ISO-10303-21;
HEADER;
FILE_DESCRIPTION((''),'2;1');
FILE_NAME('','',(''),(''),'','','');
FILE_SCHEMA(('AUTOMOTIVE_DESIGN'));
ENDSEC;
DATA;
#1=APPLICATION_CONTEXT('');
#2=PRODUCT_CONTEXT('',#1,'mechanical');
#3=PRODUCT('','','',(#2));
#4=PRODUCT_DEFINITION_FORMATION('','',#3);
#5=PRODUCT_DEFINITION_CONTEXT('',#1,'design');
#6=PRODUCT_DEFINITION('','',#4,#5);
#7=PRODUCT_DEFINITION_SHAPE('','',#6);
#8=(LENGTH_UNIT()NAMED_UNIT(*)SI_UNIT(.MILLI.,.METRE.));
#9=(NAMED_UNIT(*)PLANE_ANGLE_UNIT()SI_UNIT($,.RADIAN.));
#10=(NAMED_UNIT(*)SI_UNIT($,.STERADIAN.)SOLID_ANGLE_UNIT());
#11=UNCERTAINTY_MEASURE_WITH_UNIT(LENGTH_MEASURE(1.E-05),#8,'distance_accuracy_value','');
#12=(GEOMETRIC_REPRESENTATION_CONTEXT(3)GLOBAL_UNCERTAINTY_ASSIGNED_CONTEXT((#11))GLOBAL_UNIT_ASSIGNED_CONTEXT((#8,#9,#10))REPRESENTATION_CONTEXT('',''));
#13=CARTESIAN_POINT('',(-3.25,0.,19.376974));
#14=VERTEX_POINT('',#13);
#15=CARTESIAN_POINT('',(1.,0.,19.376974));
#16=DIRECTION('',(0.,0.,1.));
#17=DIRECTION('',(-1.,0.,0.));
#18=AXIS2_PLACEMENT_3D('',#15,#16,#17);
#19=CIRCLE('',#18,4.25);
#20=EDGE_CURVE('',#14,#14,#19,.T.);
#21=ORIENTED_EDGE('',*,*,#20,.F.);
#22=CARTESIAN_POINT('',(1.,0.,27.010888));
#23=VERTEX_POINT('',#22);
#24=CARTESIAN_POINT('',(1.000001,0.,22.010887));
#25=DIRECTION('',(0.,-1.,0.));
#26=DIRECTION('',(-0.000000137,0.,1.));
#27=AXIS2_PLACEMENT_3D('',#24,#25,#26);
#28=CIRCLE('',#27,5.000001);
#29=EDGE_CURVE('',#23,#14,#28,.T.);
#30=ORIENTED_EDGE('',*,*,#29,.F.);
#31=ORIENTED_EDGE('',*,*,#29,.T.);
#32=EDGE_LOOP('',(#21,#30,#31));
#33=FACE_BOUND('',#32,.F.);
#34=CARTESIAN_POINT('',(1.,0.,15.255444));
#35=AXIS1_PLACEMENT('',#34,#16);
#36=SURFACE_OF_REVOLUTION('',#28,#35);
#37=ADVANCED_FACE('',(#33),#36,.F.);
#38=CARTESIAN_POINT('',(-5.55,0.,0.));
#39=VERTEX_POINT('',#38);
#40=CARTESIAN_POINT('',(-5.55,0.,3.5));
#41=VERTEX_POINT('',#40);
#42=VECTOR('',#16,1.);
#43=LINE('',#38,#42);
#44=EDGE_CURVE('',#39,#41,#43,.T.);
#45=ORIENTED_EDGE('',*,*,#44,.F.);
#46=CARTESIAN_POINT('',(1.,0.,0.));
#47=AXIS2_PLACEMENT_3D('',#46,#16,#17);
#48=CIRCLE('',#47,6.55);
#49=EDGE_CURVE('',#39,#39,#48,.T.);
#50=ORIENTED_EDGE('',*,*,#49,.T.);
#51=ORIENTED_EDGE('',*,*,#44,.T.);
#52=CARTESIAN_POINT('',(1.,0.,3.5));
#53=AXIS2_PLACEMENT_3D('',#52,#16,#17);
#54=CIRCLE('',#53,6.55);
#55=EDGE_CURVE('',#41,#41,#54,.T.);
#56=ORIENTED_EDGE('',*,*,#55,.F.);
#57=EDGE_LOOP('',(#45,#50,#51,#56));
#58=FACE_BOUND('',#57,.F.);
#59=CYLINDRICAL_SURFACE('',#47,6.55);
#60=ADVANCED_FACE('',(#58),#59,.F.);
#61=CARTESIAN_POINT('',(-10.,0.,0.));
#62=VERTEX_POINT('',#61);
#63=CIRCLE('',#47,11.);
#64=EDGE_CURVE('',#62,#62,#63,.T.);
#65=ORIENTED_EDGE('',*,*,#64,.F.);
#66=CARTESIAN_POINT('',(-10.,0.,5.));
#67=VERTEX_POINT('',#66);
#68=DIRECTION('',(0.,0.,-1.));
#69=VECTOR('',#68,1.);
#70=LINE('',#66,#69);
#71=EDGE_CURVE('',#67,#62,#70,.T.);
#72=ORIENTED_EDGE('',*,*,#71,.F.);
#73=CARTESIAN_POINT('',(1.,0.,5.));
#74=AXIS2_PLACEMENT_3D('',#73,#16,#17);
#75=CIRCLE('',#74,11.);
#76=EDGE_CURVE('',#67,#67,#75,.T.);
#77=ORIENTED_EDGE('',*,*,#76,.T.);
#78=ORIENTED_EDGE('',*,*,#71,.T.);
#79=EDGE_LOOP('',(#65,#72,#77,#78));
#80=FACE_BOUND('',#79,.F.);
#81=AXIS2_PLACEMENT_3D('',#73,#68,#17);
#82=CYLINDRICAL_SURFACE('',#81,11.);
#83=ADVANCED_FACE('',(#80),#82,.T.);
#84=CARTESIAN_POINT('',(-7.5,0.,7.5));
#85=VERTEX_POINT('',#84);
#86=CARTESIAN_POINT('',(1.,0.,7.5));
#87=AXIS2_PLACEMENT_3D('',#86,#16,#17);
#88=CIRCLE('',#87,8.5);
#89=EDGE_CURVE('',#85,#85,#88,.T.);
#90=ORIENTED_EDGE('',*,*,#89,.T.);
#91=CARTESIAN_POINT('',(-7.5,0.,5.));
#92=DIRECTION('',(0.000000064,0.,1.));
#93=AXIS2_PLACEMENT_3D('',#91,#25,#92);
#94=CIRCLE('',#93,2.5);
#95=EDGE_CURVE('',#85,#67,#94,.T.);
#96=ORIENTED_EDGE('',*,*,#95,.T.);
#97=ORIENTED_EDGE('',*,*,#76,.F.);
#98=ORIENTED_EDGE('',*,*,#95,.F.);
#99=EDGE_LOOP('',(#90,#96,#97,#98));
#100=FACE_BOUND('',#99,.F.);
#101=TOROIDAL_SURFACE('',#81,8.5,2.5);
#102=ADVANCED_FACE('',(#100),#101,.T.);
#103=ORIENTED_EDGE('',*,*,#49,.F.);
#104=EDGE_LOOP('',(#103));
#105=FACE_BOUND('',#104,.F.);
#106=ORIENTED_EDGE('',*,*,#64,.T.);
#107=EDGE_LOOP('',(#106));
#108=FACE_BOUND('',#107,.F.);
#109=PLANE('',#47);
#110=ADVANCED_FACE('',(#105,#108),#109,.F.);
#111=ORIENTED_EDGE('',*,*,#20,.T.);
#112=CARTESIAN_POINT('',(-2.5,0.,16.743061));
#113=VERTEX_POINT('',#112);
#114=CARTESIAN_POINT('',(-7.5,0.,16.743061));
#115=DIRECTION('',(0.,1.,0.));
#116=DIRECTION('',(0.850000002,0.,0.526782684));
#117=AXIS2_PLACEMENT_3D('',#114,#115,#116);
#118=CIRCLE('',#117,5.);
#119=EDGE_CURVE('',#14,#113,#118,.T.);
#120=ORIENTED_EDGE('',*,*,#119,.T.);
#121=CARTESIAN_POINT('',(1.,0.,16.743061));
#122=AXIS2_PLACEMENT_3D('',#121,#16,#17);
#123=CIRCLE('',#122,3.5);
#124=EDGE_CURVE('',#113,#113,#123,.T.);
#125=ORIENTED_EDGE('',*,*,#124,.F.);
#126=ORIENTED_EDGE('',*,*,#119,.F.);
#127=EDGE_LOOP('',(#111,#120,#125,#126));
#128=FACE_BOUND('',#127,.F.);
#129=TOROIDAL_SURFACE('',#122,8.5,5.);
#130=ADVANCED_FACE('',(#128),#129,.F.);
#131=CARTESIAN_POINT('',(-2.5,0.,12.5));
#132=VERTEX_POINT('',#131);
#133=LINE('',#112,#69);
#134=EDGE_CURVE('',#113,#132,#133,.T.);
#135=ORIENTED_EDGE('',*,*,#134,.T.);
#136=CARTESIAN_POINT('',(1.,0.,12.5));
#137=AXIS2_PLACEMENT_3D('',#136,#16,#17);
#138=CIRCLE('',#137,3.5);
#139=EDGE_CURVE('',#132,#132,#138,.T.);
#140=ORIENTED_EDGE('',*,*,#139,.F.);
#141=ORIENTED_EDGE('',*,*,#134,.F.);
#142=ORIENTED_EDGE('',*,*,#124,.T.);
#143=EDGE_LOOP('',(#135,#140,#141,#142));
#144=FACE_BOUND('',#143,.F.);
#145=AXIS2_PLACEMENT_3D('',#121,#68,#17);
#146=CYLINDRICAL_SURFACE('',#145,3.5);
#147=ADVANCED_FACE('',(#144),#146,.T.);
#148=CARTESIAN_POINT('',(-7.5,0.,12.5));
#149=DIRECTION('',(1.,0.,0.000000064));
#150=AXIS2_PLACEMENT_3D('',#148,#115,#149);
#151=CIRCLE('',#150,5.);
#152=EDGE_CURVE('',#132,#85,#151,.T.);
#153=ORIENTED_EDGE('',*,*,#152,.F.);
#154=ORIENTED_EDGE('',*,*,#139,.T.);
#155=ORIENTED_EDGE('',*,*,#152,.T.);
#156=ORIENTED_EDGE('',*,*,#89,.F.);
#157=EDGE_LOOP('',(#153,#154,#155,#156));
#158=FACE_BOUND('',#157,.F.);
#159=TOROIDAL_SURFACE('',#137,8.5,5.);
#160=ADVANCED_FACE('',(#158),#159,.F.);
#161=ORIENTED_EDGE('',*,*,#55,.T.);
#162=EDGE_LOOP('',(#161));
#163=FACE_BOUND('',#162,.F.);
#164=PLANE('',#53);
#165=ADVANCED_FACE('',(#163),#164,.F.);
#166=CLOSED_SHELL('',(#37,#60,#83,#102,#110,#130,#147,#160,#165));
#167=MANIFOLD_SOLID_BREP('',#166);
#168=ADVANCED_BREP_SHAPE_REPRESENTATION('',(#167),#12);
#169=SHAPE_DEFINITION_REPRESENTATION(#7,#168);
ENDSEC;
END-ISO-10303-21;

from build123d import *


with BuildPart() as f1:
    # F0 (on Front) → F1 (revolve)
    with BuildSketch(Plane.XZ):
        with BuildLine():
            Line((-5.55, 3.5), (1, 3.5))
            Line((1, 3.5), (1, 27.010888))
            ThreePointArc((1, 27.010888), (-3.368613, 24.44301), (-3.25, 19.376974))
            ThreePointArc((-3.25, 19.376974), (-2.691154, 18.112367), (-2.5, 16.743061))
            Line((-2.5, 16.743061), (-2.5, 12.5))
            ThreePointArc((-2.5, 12.5), (-3.964466, 8.964466), (-7.5, 7.5))
            ThreePointArc((-7.5, 7.5), (-9.267767, 6.767767), (-10, 5))
            Line((-10, 5), (-10, 0))
            Line((-10, 0), (-5.55, 0))
            Line((-5.55, 0), (-5.55, 3.5))
        make_face()
    revolve(axis=Axis((1, 0, 15.255444), (0, 0, 1)))


solid = f1.part
